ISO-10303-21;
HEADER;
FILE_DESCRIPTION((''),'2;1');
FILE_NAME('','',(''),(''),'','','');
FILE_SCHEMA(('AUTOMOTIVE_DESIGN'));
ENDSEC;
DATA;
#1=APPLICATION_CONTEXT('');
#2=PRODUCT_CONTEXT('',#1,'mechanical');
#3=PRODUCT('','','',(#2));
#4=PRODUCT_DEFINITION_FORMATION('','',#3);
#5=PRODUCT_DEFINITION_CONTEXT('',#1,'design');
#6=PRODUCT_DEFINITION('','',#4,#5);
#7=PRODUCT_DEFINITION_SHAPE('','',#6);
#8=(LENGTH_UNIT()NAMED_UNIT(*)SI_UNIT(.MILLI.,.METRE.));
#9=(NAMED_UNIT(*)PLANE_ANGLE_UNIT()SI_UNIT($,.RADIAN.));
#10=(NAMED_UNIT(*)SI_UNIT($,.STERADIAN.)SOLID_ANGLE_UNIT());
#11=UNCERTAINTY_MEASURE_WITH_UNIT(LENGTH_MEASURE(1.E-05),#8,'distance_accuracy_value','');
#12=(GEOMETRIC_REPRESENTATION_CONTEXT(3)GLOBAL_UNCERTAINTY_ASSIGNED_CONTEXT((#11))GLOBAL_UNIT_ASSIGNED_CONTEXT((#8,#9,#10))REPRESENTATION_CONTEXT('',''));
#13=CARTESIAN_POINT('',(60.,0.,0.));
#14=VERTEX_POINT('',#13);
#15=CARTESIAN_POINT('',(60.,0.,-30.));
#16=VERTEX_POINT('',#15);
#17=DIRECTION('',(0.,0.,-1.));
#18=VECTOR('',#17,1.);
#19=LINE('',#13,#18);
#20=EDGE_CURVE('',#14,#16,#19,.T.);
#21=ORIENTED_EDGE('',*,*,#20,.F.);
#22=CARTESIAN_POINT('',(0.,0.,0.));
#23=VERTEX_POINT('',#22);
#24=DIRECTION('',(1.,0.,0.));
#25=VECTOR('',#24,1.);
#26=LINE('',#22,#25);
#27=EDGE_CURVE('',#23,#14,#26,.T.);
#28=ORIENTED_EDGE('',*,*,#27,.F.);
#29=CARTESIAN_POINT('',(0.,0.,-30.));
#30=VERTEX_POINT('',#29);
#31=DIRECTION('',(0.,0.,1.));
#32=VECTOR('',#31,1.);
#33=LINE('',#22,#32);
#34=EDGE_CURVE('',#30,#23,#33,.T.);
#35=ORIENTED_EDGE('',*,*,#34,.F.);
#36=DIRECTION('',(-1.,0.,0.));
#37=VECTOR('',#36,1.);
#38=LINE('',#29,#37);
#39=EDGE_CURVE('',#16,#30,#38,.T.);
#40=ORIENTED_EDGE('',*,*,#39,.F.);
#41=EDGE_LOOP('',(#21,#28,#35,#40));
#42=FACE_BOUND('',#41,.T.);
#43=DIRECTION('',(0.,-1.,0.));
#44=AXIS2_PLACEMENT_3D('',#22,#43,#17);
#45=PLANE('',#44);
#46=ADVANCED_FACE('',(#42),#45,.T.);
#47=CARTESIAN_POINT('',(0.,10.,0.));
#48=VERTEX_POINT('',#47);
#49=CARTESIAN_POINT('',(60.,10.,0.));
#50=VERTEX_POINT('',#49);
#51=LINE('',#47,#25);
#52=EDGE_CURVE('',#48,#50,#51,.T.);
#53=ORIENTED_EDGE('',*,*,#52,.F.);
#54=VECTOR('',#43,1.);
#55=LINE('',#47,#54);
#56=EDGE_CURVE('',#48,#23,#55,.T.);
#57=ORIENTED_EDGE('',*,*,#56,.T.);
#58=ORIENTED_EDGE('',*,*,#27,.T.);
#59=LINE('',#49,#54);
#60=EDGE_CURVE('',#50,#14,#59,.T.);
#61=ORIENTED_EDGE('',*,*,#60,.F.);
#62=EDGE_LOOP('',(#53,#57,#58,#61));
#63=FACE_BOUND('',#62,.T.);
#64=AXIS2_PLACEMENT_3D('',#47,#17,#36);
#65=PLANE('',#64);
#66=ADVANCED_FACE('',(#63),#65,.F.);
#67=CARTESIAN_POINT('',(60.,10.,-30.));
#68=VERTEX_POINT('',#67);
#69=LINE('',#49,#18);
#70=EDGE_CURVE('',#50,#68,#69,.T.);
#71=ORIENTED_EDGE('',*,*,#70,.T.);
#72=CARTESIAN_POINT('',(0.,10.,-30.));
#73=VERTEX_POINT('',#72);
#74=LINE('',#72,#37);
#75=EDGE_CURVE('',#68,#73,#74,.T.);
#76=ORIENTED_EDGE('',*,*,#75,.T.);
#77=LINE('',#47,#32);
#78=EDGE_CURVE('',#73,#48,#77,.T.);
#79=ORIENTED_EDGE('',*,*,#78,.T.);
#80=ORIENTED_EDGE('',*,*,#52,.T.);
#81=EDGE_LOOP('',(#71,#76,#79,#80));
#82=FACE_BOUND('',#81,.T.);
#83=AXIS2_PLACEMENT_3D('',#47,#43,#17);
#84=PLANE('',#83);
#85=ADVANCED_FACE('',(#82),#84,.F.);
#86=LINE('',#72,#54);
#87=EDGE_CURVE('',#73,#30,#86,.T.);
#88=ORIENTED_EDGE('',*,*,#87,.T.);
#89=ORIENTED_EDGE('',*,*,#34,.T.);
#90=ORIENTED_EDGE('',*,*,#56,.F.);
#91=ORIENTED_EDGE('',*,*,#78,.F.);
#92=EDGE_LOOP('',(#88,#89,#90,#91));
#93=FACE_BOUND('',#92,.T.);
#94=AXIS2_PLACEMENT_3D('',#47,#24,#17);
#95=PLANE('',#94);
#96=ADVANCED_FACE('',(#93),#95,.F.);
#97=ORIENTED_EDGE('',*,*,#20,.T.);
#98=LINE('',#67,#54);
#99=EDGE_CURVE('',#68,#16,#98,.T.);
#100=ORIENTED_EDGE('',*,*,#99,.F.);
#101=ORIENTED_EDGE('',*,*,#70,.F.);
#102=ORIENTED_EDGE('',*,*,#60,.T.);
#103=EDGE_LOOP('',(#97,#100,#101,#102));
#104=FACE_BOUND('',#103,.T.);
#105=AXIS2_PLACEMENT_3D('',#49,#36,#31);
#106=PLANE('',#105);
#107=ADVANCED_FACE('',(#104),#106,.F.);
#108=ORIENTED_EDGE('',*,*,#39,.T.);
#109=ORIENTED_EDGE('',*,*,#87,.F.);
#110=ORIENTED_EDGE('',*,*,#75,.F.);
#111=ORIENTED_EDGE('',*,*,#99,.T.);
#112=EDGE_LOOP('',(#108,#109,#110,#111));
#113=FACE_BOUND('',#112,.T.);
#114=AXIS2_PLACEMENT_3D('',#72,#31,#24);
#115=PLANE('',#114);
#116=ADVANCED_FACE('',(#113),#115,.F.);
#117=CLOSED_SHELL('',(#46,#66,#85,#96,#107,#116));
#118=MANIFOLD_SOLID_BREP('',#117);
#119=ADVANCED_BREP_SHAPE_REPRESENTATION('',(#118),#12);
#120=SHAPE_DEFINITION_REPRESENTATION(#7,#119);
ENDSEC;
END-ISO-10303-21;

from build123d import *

# Parameters (mm, degrees)
SKETCH1_W           = 60
SKETCH1_H           = 30
BOSS_EXTRUDE1_DEPTH = 10


with BuildPart() as part:
    # Sketch1 → Boss-Extrude1 (new body)
    with BuildSketch(Plane(origin=(0, 0, 0), x_dir=(1, 0, 0), z_dir=(0, 1, 0))):
        with Locations((30, 15)):
            Rectangle(SKETCH1_W, SKETCH1_H)
    extrude(amount=BOSS_EXTRUDE1_DEPTH)


solid = part.part
